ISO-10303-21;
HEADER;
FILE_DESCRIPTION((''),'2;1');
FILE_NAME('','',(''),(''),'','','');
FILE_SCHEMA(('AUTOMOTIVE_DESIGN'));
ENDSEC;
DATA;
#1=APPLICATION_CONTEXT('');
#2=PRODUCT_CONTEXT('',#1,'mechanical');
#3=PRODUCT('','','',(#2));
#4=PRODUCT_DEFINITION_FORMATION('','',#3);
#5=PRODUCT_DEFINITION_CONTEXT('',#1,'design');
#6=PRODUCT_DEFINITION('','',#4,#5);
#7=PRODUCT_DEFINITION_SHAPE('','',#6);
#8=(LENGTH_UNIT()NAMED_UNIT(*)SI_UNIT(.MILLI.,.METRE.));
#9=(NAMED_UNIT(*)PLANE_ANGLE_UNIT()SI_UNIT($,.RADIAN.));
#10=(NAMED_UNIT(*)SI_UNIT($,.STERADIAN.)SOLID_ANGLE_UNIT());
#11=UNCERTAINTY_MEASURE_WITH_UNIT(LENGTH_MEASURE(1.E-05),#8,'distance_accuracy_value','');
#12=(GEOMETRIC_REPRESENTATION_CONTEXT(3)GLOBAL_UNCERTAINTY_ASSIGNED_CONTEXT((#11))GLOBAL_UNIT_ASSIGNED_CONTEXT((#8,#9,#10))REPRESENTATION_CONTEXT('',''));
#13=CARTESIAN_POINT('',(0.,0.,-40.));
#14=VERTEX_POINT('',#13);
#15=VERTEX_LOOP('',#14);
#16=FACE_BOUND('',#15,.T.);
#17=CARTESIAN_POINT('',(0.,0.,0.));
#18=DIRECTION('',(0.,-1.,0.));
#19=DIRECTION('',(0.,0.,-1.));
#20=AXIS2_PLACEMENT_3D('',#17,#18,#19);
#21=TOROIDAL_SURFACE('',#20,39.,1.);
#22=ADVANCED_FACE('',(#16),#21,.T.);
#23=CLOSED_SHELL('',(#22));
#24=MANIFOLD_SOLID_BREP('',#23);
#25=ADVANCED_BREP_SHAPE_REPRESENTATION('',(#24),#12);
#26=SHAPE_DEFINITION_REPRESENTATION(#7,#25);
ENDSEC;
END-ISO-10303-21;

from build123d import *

# Parameters (mm, degrees)
RECONSTRUCTED_NOMINAL_AXIAL_PROFILE_R = 1


with BuildPart() as part:
    # Reconstructed nominal axial profile → Native revolved geometry (revolve)
    with BuildSketch(Plane.XY, mode=Mode.PRIVATE) as native_revolved_geometry_sk:
        with Locations((39, 0)):
            Circle(RECONSTRUCTED_NOMINAL_AXIAL_PROFILE_R)
    revolve(native_revolved_geometry_sk.sketch.rotate(Axis((0, -500, 0), (0, 1, 0)), 90), axis=Axis((0, -500, 0), (0, 1, 0)))


solid = part.part
